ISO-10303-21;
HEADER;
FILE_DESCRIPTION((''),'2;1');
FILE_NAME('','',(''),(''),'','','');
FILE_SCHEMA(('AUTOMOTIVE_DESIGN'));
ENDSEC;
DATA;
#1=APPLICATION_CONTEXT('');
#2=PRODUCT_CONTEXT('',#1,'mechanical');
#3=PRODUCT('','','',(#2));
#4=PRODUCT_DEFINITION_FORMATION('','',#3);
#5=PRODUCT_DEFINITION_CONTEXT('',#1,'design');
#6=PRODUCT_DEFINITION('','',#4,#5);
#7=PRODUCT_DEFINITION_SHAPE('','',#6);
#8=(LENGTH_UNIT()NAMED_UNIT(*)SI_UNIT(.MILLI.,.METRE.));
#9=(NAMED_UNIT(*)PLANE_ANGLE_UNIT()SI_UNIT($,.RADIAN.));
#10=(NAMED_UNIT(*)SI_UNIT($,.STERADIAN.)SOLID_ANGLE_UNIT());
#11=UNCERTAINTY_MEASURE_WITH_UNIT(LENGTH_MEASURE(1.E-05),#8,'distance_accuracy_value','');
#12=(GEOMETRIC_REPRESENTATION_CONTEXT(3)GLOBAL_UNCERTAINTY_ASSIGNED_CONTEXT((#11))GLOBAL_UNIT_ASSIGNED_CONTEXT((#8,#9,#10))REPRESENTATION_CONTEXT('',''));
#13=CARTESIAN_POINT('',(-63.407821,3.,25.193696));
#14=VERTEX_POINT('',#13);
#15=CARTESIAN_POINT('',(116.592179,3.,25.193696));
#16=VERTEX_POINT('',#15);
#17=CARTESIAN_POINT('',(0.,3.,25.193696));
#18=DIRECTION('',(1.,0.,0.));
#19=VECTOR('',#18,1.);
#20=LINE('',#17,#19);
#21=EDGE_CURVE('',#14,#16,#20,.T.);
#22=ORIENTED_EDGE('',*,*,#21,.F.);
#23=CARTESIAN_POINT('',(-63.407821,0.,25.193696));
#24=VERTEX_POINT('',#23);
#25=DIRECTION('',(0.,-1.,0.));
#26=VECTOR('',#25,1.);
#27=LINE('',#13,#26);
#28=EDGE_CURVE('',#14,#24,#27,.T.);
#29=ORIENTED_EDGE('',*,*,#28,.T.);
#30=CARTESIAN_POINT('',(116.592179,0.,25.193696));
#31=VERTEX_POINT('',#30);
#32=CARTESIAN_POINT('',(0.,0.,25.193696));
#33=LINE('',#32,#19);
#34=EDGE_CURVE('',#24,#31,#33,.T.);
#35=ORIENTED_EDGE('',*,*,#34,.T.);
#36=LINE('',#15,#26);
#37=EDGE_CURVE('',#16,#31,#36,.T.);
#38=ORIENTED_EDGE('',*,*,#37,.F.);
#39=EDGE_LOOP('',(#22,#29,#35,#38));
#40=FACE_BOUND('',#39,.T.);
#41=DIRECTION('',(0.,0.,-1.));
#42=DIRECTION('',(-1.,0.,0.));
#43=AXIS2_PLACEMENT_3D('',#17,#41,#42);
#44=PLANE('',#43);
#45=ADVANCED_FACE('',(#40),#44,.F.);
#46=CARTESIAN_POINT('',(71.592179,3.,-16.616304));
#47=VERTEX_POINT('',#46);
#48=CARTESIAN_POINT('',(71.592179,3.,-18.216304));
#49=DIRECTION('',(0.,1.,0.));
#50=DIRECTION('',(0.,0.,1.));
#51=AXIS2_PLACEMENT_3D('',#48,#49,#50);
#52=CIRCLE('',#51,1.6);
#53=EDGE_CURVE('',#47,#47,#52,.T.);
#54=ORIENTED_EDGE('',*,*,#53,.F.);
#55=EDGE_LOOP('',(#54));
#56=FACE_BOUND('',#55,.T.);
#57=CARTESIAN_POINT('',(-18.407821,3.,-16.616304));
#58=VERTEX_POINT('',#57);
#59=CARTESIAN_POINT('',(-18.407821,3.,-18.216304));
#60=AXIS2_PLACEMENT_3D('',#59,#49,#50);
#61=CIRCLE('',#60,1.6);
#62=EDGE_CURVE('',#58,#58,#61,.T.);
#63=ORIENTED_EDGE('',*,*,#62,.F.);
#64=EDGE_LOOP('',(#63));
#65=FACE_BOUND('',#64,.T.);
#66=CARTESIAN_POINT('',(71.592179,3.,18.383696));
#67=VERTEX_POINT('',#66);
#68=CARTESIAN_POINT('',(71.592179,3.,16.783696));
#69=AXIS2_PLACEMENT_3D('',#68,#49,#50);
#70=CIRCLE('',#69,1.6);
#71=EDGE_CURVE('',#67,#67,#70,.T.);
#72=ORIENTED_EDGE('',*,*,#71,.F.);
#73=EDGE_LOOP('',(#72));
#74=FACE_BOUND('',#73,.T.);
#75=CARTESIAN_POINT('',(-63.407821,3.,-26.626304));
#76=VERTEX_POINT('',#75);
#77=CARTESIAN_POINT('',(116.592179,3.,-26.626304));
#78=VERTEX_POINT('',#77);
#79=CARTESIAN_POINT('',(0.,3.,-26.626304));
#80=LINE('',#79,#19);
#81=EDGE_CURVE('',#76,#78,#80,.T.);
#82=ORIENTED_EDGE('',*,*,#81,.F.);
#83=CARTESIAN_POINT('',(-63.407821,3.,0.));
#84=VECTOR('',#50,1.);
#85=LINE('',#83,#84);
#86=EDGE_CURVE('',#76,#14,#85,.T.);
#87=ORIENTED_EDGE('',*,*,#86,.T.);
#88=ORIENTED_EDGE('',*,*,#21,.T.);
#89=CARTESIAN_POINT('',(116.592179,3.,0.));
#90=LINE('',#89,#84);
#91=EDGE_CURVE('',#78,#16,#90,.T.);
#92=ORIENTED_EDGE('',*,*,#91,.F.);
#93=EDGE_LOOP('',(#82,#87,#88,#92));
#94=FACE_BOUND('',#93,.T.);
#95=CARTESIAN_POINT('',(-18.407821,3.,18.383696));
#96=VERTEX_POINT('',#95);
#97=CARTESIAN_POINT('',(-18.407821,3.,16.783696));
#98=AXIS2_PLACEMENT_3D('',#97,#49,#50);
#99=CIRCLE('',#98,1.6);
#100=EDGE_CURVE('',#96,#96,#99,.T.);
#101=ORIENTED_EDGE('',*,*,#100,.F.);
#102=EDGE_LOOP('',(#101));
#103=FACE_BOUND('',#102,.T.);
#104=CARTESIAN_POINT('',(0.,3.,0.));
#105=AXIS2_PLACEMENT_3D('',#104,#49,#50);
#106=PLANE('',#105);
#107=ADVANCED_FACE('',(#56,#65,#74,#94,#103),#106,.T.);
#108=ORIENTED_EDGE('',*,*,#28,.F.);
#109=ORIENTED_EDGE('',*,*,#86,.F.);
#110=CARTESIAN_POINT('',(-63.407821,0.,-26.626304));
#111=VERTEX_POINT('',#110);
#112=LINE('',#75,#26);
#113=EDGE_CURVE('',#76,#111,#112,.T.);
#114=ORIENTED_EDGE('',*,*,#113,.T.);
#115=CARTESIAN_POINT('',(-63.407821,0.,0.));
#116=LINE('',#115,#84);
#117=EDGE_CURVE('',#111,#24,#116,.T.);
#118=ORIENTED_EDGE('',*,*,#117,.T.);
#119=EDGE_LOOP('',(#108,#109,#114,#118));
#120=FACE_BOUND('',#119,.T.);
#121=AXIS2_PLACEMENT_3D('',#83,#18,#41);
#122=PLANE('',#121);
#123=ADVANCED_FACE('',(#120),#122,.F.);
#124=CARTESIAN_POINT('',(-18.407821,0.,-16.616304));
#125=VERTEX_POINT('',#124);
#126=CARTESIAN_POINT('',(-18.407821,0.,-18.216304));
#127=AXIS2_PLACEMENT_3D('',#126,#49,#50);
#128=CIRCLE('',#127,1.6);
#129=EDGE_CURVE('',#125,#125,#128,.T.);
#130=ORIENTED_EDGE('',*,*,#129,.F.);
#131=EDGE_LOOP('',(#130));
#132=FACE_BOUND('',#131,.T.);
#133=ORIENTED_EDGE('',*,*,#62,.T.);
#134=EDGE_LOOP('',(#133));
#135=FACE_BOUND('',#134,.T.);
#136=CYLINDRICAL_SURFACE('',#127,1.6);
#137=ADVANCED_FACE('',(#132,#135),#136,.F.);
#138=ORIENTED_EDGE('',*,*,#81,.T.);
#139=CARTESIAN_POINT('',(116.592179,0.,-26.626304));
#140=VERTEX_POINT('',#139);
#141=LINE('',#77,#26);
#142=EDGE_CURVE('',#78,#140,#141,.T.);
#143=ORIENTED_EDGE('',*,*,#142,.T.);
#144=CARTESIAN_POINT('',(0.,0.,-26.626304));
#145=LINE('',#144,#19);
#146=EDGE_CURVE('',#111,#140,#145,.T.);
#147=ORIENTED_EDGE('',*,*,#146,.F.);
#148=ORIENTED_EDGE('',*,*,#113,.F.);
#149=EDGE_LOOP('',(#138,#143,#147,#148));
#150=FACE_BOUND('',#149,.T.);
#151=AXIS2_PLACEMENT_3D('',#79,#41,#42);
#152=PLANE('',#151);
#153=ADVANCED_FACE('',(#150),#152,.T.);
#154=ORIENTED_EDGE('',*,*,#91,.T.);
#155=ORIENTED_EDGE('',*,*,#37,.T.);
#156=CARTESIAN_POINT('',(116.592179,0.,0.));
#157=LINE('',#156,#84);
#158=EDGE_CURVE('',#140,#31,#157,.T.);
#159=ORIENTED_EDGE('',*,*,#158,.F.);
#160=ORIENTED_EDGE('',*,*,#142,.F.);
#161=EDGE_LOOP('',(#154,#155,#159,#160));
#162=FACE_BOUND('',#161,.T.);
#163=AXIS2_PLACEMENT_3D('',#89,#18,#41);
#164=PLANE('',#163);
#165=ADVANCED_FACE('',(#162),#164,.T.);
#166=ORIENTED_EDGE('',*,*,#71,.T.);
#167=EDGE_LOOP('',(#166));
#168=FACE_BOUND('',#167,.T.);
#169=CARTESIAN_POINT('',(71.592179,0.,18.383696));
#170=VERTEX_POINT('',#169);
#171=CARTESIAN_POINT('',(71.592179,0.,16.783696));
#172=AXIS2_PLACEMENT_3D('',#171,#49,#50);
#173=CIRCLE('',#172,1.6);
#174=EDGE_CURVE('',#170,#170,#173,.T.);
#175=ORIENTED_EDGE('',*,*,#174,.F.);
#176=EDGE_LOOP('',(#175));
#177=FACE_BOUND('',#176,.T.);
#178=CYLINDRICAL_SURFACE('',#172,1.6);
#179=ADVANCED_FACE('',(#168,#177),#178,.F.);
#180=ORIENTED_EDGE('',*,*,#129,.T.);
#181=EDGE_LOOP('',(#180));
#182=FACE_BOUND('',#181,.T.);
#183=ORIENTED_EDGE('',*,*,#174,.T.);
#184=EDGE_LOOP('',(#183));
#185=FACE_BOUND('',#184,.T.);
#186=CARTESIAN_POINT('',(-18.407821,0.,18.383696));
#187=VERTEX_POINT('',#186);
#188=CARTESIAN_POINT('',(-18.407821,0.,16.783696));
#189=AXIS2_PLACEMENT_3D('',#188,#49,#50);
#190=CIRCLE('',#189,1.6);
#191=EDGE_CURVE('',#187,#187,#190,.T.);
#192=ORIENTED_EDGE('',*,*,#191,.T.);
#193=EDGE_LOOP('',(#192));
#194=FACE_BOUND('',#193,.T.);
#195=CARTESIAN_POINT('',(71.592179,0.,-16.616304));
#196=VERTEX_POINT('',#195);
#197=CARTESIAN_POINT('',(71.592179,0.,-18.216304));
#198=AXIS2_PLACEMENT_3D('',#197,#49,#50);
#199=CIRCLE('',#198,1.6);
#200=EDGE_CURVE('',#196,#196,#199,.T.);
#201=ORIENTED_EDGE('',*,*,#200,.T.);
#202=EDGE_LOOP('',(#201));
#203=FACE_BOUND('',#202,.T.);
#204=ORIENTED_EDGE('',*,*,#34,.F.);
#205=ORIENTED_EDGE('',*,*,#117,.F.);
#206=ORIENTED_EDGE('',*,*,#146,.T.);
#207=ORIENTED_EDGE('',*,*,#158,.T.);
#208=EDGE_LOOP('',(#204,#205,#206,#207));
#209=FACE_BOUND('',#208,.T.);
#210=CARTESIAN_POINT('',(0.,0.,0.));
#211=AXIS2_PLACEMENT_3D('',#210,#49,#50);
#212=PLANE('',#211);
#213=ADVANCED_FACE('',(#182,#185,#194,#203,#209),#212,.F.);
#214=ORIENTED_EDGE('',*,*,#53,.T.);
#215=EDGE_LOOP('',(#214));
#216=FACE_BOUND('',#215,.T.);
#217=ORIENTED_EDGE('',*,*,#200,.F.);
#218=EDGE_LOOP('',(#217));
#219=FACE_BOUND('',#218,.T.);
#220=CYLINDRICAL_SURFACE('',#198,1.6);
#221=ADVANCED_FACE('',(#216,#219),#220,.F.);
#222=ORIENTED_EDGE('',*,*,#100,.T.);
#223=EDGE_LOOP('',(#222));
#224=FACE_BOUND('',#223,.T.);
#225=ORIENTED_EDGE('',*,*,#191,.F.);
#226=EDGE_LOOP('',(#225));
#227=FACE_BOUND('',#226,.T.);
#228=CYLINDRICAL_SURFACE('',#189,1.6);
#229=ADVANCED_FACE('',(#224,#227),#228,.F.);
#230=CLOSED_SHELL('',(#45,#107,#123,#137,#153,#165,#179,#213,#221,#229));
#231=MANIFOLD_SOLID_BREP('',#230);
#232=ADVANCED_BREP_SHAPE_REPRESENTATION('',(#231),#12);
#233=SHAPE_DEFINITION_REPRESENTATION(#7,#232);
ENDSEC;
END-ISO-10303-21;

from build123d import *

# Parameters (mm, degrees)
SKETCH1_W           = 180
SKETCH1_H           = 51.82
BOSS_EXTRUDE1_DEPTH = 3
SKETCH2_R           = 1.6
HOODBOARD_DEPTH     = 4


with BuildPart() as part:
    # Sketch1 → Boss-Extrude1 (new body)
    with BuildSketch(Plane(origin=(0, 0, 0), x_dir=(1, 0, 0), z_dir=(0, 1, 0))):
        with Locations((26.592178535, 0.716303675)):
            Rectangle(SKETCH1_W, SKETCH1_H)
    extrude(amount=BOSS_EXTRUDE1_DEPTH)

    # Sketch2 → HoodBoard (cut, through all)
    with BuildSketch(Plane(origin=(0, 3, 0), x_dir=(1, 0, 0), z_dir=(0, 1, 0))):
        with Locations((-18.407821465, 18.216303675)):
            Circle(SKETCH2_R)
        with Locations((71.592178535, 18.216303675)):
            Circle(SKETCH2_R)
        with Locations((71.592178535, -16.783696325)):
            Circle(SKETCH2_R)
        with Locations((-18.407821465, -16.783696325)):
            Circle(SKETCH2_R)
    extrude(amount=-HOODBOARD_DEPTH, mode=Mode.SUBTRACT)


solid = part.part
